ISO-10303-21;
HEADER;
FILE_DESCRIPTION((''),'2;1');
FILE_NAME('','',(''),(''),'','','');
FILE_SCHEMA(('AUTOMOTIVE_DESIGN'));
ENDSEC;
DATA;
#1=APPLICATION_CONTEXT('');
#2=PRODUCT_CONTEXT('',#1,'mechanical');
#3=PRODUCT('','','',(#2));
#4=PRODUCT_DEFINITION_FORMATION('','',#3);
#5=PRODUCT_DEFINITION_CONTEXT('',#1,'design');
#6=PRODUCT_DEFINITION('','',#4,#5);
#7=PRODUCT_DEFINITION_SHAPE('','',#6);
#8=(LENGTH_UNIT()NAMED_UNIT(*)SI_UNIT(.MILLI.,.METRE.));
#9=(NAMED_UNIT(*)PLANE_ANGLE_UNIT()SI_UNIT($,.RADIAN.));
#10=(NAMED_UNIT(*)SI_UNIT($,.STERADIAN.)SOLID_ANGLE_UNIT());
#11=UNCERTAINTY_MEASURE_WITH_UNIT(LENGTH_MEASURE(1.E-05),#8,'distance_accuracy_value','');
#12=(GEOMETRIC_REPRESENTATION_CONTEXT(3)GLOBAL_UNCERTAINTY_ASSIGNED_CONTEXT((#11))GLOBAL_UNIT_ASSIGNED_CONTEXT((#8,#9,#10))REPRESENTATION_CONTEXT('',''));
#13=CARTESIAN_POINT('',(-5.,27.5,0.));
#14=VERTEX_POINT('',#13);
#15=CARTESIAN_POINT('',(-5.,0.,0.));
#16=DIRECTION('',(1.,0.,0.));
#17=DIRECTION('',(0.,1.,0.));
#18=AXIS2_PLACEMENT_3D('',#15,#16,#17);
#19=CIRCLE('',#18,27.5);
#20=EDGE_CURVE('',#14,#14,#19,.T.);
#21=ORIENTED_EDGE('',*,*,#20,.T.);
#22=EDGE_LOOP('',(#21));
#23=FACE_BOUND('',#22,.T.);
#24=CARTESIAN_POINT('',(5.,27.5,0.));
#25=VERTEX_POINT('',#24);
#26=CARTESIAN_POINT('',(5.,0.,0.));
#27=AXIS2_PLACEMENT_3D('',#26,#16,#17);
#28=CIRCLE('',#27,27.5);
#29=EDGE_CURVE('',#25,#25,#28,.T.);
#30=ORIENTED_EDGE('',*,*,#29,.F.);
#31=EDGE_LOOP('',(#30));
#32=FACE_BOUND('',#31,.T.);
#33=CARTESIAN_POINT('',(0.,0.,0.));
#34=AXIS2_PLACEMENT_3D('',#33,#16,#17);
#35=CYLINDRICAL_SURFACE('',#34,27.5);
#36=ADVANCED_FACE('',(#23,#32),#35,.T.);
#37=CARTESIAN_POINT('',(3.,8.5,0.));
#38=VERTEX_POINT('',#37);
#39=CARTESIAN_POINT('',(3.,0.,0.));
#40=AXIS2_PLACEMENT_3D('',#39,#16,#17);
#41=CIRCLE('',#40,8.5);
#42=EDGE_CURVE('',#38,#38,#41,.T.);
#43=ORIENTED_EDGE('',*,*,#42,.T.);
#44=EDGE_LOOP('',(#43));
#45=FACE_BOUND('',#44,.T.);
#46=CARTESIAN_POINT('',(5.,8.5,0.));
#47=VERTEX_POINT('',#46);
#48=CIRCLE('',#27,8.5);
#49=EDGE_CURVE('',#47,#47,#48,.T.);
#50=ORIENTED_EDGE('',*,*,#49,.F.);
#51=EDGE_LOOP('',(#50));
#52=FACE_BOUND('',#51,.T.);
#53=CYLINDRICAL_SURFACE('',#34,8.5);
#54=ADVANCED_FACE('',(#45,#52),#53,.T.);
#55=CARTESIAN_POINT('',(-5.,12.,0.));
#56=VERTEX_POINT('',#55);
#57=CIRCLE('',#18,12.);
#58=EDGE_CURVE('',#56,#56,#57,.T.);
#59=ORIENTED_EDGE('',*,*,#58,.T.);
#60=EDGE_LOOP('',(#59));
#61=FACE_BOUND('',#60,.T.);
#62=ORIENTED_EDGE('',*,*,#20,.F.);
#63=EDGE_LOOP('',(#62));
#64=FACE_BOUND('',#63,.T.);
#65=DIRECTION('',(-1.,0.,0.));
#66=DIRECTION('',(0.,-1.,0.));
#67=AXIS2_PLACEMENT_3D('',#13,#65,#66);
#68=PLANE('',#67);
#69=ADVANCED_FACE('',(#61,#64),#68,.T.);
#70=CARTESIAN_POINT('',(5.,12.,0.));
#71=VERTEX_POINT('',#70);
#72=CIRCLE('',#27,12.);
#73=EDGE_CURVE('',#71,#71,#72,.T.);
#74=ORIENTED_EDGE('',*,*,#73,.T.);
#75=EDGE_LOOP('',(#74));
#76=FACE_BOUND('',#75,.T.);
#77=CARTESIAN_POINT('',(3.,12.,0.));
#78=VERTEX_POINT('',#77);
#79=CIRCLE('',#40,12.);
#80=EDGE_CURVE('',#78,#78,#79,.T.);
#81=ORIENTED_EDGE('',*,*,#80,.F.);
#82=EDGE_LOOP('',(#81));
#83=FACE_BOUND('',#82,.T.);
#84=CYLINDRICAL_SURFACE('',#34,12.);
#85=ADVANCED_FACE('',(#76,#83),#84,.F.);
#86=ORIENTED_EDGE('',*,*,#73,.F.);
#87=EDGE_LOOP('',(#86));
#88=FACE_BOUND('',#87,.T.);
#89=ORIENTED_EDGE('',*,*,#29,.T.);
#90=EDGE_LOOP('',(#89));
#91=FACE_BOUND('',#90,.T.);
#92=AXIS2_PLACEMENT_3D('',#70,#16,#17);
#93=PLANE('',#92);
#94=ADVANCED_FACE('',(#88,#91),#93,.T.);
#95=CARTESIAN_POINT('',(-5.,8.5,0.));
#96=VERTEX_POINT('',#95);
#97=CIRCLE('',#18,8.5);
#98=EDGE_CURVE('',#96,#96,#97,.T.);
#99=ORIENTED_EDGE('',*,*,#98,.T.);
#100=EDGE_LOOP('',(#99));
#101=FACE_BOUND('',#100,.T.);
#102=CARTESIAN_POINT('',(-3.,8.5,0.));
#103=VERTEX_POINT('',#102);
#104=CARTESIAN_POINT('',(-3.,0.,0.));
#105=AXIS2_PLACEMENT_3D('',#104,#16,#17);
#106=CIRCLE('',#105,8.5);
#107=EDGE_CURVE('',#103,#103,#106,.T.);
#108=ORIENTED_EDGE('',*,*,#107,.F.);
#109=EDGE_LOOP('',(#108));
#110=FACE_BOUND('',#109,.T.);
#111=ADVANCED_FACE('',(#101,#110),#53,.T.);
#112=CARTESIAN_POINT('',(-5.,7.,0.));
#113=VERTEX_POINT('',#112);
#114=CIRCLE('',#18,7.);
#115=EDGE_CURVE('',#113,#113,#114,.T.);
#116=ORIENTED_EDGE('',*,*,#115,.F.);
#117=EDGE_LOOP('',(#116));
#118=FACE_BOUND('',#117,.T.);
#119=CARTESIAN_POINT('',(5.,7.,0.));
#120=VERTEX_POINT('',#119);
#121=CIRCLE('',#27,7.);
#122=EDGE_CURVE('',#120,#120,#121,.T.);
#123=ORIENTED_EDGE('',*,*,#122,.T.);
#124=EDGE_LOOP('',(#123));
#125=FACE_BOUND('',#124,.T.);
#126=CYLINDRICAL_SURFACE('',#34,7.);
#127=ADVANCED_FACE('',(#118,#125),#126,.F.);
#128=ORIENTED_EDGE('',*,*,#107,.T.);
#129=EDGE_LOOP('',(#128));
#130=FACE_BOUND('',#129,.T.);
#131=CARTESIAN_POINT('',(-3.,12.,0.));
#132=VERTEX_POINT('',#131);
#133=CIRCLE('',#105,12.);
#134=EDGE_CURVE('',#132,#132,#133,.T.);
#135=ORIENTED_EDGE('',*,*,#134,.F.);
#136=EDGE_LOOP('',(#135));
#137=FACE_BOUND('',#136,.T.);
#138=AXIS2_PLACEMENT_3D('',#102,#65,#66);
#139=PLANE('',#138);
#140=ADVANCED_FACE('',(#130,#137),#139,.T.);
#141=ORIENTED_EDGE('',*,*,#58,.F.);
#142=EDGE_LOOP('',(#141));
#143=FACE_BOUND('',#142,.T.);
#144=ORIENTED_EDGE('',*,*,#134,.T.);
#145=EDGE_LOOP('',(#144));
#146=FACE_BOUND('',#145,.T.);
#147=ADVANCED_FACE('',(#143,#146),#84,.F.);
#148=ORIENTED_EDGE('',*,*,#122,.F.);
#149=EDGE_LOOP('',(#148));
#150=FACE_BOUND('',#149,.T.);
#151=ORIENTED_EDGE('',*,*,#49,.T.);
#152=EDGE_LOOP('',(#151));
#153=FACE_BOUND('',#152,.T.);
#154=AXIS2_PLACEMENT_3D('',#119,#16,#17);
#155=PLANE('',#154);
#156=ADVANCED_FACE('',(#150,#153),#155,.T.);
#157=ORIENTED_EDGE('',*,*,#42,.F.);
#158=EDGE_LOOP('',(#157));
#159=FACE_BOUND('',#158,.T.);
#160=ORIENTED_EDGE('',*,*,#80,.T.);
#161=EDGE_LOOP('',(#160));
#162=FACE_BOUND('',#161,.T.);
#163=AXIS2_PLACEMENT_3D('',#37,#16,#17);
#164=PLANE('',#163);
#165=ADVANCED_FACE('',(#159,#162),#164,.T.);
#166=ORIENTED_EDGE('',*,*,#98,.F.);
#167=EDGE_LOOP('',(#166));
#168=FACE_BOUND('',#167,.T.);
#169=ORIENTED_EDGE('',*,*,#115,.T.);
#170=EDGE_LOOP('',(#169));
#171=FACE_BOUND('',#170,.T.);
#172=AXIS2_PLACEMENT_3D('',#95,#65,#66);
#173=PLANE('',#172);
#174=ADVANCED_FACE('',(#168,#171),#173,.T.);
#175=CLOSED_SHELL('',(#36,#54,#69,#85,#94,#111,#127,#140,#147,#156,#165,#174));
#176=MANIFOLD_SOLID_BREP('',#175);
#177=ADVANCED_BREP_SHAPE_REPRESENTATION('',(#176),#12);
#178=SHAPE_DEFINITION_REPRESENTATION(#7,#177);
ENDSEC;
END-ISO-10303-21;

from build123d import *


with BuildPart() as part:
    # Sketch1 → Revolve1 (revolve)
    with BuildSketch(Plane.XY):
        Polygon((-5, 7), (5, 7), (5, 8.5), (3, 8.5), (3, 12), (5, 12), (5, 27.5), (-5, 27.5), (-5, 12), (-3, 12), (-3, 8.5), (-5, 8.5), align=None)
    revolve(axis=Axis((0, 0, 0), (-1, 0, 0)))


solid = part.part
